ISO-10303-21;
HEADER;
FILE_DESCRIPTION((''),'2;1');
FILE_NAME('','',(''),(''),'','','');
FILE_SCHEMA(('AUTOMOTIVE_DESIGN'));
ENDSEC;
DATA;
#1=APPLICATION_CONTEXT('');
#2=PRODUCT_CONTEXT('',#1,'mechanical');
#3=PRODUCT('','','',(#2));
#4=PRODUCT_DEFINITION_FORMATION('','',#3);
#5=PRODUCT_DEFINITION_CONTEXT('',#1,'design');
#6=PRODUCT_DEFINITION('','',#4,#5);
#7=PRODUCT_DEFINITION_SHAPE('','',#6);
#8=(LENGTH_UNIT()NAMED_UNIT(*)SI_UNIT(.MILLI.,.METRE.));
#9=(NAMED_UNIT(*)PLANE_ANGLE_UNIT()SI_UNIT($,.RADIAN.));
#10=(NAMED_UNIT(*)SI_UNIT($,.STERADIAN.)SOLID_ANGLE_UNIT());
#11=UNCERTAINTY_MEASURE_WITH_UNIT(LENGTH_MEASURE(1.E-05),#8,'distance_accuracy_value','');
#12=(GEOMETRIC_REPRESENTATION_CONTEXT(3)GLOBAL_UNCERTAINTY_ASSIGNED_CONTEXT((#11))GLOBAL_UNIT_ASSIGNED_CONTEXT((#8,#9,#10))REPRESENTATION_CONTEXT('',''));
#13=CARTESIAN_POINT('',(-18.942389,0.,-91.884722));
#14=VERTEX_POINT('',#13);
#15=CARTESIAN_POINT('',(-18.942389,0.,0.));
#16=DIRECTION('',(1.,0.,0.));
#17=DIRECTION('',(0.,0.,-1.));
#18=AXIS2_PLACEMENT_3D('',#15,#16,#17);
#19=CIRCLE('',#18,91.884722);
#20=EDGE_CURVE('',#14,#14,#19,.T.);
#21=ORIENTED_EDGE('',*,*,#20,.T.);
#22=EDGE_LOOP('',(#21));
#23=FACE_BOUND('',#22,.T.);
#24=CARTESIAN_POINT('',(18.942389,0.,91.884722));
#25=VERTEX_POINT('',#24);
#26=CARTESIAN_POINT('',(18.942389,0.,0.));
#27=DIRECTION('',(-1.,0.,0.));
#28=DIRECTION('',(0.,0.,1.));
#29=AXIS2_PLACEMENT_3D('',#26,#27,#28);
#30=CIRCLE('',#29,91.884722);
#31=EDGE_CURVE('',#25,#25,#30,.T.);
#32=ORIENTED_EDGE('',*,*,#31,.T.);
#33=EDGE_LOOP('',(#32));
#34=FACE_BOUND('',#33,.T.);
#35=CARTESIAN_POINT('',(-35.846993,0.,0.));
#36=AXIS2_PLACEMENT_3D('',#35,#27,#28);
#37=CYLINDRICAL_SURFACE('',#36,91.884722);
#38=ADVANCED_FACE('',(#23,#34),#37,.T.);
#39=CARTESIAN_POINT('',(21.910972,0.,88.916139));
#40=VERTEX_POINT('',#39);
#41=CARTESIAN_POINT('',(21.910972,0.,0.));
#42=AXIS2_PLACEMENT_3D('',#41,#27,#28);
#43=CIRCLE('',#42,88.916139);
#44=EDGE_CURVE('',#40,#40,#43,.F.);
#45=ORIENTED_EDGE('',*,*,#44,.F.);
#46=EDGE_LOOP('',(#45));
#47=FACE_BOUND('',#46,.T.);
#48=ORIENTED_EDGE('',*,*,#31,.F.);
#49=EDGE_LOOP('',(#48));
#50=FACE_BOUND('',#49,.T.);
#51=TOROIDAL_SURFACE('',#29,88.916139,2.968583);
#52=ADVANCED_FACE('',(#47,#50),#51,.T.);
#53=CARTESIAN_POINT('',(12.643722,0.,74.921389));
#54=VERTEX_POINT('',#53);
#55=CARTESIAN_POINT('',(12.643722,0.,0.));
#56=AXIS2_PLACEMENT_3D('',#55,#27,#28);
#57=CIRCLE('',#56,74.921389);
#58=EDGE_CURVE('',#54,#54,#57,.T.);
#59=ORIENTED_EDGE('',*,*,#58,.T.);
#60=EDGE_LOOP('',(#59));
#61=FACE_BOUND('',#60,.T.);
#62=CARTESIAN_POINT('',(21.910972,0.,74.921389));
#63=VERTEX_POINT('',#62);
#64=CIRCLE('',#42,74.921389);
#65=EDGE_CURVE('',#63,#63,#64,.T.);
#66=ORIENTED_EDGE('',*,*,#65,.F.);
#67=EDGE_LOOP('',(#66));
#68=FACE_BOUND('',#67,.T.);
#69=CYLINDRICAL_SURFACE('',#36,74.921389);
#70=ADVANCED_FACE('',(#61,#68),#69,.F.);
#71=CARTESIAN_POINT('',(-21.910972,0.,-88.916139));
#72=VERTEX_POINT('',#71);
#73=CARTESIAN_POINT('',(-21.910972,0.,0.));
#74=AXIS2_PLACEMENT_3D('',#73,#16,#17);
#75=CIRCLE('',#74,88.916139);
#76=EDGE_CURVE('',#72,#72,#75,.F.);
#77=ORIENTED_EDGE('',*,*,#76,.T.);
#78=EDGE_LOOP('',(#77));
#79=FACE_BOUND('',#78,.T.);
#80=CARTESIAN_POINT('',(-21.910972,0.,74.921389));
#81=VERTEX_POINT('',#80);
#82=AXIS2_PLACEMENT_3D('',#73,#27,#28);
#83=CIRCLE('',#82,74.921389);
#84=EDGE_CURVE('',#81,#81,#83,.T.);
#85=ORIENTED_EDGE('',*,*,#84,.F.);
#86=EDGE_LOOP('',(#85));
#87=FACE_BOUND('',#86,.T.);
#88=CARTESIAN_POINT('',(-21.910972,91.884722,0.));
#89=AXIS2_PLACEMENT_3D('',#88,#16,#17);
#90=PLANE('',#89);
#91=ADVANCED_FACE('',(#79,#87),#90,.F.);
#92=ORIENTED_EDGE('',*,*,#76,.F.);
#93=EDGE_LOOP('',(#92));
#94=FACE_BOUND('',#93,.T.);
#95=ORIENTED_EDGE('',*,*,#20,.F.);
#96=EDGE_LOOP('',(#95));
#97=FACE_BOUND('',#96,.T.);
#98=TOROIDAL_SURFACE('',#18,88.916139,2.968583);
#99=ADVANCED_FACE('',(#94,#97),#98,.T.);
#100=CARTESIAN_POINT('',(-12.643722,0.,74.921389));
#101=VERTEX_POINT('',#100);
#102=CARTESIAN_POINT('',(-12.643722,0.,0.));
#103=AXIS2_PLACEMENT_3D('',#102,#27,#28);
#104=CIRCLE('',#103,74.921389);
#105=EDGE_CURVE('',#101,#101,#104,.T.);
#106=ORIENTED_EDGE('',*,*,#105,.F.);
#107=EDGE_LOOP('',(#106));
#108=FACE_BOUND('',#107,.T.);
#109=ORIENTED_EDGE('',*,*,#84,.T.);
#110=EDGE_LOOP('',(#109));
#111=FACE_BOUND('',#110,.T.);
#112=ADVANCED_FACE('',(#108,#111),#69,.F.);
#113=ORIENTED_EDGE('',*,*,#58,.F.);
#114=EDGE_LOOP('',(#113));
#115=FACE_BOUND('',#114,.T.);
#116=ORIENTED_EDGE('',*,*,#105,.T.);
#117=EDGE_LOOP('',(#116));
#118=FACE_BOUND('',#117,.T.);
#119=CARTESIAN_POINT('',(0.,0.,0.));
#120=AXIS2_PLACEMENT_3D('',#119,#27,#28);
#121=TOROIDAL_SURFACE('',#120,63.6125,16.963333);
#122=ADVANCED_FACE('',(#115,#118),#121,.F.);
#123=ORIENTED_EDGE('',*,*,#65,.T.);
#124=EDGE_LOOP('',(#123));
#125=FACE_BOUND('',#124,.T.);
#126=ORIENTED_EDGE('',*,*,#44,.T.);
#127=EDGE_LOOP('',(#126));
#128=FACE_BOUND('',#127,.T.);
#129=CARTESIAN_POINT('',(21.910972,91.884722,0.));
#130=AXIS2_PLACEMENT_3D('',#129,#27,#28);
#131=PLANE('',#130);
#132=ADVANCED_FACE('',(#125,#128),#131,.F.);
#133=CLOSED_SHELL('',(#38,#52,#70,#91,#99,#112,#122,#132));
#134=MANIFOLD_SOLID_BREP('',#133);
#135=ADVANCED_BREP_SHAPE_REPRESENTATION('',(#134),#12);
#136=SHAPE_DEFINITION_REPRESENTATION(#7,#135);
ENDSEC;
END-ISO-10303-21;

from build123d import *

# Parameters (mm, degrees)
FILLET1_R    = 2.1
SCALE1_SCALE = 1.413611111


with BuildPart() as part:
    # Sketch1 → Revolve1 (revolve)
    with BuildSketch(Plane.XY, mode=Mode.PRIVATE) as revolve1_sk:
        with BuildLine():
            Line((-15.5, 65), (15.5, 65))
            Line((15.5, 65), (15.5, 53))
            Line((15.5, 53), (8.94427191, 53))
            ThreePointArc((8.94427191, 53), (0, 57), (-8.94427191, 53))
            Line((-8.94427191, 53), (-15.5, 53))
            Line((-15.5, 53), (-15.5, 65))
        make_face()
    revolve(revolve1_sk.sketch.rotate(Axis((-25.358454362, 0, 0), (1, 0, 0)), 90), axis=Axis((-25.358454362, 0, 0), (1, 0, 0)))

    # Fillet1
    fillet1_edges = [part.edges().sort_by_distance(p)[0] for p in [
        (15.5, 0, -65),
        (-15.5, 0, -65),
    ]]
    fillet(fillet1_edges, radius=FILLET1_R)


with BuildPart() as part_1:
    # Scale1: scaled about (0, 0, 0)
    add(part.part.scale(SCALE1_SCALE))


solid = part_1.part
